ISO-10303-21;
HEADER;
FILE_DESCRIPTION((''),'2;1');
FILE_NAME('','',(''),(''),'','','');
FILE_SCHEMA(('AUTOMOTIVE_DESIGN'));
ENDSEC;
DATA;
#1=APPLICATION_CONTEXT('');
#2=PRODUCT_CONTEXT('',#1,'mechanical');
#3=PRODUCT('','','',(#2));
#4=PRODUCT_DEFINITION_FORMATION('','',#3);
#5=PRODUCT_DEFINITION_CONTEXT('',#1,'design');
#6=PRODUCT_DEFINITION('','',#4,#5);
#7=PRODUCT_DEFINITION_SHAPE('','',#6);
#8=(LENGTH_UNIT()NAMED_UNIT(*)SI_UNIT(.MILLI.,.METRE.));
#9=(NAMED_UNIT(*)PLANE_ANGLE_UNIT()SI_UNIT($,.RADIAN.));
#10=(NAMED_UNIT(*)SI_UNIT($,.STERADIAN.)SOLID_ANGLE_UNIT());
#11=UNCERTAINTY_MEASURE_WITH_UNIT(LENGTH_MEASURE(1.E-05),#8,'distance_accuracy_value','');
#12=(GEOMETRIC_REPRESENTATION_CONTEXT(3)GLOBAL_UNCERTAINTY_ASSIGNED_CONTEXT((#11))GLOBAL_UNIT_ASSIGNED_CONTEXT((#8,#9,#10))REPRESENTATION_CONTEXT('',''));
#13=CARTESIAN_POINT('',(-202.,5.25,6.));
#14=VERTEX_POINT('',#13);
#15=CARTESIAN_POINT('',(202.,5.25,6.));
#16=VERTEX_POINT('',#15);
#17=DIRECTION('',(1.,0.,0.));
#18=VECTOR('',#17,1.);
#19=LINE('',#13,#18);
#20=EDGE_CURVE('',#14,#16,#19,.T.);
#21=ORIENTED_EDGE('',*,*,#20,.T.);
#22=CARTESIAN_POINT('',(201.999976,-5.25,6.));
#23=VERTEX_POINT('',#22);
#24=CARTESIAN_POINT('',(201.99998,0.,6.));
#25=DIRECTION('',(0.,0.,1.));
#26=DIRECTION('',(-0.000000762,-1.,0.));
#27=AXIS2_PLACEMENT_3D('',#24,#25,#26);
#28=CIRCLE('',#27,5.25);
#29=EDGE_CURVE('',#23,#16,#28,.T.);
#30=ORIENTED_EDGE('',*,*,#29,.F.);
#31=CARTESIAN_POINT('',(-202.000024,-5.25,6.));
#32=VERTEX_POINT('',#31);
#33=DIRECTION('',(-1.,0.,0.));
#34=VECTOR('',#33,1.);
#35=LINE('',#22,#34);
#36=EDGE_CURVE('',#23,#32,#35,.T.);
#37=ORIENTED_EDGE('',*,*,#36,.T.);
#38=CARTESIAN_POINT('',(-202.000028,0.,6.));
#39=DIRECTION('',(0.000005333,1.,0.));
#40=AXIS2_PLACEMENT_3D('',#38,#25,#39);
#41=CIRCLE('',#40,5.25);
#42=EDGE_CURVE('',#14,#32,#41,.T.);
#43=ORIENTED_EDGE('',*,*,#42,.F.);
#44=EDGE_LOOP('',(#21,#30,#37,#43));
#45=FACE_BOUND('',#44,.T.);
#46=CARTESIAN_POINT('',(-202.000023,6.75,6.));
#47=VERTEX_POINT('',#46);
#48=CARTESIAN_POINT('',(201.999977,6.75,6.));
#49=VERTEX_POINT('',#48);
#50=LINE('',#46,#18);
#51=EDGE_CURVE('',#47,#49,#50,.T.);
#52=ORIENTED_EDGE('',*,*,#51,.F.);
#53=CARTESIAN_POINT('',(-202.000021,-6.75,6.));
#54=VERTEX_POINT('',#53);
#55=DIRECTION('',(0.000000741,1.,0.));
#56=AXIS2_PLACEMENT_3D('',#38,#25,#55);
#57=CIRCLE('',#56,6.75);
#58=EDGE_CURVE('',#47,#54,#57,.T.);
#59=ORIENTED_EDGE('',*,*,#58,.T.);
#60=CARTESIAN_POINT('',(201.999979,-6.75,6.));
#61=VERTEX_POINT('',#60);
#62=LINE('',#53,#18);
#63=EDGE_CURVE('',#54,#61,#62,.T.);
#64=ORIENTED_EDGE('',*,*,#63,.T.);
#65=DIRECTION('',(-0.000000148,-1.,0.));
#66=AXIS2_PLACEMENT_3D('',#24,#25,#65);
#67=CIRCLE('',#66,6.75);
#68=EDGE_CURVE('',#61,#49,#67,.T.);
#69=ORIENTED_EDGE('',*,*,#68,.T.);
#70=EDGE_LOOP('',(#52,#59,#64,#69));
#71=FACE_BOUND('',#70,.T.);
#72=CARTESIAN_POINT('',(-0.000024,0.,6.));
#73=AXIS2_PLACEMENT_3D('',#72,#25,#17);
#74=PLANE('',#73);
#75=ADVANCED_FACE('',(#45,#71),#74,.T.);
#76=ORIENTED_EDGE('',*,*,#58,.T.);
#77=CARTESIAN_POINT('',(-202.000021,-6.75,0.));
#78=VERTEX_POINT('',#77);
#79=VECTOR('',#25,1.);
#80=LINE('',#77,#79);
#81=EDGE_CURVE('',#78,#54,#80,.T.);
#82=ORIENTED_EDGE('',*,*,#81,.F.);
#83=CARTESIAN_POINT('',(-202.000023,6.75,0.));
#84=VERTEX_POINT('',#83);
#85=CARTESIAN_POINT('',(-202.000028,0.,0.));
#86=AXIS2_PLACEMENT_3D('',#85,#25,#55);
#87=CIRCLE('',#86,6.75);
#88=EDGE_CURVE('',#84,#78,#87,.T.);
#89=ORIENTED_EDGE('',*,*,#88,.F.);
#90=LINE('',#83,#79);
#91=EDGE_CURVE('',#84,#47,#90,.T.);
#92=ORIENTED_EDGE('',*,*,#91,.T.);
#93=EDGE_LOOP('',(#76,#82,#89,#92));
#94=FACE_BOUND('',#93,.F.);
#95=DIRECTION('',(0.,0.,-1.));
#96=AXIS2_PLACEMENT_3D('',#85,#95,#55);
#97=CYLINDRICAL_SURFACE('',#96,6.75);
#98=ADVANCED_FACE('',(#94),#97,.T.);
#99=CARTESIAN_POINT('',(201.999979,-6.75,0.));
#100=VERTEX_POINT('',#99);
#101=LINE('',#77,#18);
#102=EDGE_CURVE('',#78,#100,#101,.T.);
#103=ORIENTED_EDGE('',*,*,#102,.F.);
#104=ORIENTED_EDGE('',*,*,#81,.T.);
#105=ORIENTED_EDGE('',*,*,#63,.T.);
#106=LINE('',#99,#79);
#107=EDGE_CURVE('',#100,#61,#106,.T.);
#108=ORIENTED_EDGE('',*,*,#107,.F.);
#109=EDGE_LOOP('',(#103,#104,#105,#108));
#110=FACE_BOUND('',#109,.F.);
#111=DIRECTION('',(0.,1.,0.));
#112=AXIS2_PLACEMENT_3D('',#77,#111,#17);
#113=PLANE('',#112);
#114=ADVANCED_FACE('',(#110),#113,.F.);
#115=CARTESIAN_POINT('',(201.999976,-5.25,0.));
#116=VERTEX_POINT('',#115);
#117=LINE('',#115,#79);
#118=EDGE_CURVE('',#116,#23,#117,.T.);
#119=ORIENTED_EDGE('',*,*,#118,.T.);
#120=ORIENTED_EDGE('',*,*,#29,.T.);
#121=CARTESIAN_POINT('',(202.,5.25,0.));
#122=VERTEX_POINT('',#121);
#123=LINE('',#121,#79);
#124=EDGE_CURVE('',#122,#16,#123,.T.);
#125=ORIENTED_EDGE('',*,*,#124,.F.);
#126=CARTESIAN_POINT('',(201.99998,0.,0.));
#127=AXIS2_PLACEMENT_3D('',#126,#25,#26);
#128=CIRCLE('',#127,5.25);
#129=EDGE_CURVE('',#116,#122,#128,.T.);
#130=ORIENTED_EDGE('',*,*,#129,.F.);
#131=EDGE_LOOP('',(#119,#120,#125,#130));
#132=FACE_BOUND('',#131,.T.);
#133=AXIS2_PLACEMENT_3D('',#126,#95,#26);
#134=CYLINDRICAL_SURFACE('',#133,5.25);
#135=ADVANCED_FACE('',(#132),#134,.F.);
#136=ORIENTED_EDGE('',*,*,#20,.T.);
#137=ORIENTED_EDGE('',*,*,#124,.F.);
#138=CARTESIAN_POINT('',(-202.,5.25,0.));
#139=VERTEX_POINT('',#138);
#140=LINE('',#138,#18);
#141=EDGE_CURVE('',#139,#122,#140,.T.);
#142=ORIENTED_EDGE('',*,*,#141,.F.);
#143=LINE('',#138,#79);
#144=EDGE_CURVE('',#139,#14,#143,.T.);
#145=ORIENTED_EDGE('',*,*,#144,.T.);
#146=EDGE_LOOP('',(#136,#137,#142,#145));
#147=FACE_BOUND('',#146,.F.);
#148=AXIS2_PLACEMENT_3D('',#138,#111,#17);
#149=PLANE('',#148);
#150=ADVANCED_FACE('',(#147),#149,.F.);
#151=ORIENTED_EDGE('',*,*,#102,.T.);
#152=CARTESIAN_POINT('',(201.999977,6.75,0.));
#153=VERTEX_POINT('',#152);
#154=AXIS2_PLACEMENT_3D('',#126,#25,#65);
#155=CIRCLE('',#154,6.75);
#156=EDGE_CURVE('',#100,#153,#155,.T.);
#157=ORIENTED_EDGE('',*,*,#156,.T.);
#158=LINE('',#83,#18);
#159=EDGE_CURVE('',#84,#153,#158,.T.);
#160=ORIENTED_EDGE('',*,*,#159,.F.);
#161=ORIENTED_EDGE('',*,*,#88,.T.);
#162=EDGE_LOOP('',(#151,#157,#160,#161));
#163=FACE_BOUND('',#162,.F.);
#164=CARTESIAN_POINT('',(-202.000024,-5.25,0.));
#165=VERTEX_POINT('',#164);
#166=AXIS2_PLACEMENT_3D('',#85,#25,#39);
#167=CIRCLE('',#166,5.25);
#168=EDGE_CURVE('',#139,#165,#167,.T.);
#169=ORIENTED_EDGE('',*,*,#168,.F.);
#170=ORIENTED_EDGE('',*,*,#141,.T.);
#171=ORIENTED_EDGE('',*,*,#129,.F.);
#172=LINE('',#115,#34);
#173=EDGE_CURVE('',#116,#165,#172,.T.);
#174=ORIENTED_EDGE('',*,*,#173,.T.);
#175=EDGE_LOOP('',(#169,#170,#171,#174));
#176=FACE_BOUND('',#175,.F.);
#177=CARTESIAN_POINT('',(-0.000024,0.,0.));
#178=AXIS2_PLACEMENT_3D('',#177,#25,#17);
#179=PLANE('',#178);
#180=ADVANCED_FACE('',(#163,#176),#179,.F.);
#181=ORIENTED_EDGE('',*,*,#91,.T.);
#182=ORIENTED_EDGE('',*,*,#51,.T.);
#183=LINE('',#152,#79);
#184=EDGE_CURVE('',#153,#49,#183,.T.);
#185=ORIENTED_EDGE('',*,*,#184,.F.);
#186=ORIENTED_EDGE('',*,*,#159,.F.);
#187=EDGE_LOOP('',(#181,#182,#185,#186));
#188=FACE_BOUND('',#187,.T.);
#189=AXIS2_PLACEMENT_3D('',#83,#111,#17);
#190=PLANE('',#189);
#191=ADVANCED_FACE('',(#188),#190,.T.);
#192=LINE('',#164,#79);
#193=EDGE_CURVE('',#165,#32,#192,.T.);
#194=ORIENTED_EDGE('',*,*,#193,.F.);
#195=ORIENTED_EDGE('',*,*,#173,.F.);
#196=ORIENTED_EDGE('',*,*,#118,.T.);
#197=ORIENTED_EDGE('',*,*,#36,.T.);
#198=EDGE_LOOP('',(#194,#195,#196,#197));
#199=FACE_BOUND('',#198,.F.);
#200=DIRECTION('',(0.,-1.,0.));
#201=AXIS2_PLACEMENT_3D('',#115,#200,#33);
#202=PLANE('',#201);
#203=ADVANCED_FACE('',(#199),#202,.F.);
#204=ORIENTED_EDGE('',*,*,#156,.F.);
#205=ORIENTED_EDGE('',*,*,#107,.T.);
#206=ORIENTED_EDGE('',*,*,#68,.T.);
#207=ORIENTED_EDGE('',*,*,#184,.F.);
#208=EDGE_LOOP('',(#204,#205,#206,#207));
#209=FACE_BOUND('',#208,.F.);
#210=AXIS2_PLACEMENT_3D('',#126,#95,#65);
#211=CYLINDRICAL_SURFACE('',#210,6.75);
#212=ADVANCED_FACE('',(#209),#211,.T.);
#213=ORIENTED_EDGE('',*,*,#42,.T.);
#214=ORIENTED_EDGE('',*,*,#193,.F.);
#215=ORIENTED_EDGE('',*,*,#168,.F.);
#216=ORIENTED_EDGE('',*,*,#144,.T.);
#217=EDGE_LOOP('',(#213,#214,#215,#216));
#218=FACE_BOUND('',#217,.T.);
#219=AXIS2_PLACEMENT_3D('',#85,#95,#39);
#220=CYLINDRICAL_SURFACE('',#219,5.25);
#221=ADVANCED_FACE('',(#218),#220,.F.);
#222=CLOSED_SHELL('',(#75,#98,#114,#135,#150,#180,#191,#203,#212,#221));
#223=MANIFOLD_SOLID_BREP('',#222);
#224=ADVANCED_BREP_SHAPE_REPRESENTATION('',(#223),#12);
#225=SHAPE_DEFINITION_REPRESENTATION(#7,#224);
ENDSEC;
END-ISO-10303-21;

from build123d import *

# Parameters (mm, degrees)
PAD_DEPTH = 6


with BuildPart() as part:
    # Sketch → Pad (new body)
    with BuildSketch(Plane.XY):
        with BuildLine():
            ThreePointArc((-202.000023, 6.75), (-208.750028, -1e-06), (-202.000021, -6.75))
            Line((-202.000021, -6.75), (201.999979, -6.75))
            ThreePointArc((201.999979, -6.75), (208.74998, 1e-06), (201.999977, 6.75))
            Line((-202.000023, 6.75), (201.999977, 6.75))
        make_face()
        with BuildLine():
            Line((-202, 5.25), (202, 5.25))
            ThreePointArc((201.999976, -5.25), (207.24998, -1.2e-05), (202, 5.25))
            Line((201.999976, -5.25), (-202.000024, -5.25))
            ThreePointArc((-202, 5.25), (-207.250028, 1.2e-05), (-202.000024, -5.25))
        make_face(mode=Mode.SUBTRACT)
    extrude(amount=PAD_DEPTH)


solid = part.part
